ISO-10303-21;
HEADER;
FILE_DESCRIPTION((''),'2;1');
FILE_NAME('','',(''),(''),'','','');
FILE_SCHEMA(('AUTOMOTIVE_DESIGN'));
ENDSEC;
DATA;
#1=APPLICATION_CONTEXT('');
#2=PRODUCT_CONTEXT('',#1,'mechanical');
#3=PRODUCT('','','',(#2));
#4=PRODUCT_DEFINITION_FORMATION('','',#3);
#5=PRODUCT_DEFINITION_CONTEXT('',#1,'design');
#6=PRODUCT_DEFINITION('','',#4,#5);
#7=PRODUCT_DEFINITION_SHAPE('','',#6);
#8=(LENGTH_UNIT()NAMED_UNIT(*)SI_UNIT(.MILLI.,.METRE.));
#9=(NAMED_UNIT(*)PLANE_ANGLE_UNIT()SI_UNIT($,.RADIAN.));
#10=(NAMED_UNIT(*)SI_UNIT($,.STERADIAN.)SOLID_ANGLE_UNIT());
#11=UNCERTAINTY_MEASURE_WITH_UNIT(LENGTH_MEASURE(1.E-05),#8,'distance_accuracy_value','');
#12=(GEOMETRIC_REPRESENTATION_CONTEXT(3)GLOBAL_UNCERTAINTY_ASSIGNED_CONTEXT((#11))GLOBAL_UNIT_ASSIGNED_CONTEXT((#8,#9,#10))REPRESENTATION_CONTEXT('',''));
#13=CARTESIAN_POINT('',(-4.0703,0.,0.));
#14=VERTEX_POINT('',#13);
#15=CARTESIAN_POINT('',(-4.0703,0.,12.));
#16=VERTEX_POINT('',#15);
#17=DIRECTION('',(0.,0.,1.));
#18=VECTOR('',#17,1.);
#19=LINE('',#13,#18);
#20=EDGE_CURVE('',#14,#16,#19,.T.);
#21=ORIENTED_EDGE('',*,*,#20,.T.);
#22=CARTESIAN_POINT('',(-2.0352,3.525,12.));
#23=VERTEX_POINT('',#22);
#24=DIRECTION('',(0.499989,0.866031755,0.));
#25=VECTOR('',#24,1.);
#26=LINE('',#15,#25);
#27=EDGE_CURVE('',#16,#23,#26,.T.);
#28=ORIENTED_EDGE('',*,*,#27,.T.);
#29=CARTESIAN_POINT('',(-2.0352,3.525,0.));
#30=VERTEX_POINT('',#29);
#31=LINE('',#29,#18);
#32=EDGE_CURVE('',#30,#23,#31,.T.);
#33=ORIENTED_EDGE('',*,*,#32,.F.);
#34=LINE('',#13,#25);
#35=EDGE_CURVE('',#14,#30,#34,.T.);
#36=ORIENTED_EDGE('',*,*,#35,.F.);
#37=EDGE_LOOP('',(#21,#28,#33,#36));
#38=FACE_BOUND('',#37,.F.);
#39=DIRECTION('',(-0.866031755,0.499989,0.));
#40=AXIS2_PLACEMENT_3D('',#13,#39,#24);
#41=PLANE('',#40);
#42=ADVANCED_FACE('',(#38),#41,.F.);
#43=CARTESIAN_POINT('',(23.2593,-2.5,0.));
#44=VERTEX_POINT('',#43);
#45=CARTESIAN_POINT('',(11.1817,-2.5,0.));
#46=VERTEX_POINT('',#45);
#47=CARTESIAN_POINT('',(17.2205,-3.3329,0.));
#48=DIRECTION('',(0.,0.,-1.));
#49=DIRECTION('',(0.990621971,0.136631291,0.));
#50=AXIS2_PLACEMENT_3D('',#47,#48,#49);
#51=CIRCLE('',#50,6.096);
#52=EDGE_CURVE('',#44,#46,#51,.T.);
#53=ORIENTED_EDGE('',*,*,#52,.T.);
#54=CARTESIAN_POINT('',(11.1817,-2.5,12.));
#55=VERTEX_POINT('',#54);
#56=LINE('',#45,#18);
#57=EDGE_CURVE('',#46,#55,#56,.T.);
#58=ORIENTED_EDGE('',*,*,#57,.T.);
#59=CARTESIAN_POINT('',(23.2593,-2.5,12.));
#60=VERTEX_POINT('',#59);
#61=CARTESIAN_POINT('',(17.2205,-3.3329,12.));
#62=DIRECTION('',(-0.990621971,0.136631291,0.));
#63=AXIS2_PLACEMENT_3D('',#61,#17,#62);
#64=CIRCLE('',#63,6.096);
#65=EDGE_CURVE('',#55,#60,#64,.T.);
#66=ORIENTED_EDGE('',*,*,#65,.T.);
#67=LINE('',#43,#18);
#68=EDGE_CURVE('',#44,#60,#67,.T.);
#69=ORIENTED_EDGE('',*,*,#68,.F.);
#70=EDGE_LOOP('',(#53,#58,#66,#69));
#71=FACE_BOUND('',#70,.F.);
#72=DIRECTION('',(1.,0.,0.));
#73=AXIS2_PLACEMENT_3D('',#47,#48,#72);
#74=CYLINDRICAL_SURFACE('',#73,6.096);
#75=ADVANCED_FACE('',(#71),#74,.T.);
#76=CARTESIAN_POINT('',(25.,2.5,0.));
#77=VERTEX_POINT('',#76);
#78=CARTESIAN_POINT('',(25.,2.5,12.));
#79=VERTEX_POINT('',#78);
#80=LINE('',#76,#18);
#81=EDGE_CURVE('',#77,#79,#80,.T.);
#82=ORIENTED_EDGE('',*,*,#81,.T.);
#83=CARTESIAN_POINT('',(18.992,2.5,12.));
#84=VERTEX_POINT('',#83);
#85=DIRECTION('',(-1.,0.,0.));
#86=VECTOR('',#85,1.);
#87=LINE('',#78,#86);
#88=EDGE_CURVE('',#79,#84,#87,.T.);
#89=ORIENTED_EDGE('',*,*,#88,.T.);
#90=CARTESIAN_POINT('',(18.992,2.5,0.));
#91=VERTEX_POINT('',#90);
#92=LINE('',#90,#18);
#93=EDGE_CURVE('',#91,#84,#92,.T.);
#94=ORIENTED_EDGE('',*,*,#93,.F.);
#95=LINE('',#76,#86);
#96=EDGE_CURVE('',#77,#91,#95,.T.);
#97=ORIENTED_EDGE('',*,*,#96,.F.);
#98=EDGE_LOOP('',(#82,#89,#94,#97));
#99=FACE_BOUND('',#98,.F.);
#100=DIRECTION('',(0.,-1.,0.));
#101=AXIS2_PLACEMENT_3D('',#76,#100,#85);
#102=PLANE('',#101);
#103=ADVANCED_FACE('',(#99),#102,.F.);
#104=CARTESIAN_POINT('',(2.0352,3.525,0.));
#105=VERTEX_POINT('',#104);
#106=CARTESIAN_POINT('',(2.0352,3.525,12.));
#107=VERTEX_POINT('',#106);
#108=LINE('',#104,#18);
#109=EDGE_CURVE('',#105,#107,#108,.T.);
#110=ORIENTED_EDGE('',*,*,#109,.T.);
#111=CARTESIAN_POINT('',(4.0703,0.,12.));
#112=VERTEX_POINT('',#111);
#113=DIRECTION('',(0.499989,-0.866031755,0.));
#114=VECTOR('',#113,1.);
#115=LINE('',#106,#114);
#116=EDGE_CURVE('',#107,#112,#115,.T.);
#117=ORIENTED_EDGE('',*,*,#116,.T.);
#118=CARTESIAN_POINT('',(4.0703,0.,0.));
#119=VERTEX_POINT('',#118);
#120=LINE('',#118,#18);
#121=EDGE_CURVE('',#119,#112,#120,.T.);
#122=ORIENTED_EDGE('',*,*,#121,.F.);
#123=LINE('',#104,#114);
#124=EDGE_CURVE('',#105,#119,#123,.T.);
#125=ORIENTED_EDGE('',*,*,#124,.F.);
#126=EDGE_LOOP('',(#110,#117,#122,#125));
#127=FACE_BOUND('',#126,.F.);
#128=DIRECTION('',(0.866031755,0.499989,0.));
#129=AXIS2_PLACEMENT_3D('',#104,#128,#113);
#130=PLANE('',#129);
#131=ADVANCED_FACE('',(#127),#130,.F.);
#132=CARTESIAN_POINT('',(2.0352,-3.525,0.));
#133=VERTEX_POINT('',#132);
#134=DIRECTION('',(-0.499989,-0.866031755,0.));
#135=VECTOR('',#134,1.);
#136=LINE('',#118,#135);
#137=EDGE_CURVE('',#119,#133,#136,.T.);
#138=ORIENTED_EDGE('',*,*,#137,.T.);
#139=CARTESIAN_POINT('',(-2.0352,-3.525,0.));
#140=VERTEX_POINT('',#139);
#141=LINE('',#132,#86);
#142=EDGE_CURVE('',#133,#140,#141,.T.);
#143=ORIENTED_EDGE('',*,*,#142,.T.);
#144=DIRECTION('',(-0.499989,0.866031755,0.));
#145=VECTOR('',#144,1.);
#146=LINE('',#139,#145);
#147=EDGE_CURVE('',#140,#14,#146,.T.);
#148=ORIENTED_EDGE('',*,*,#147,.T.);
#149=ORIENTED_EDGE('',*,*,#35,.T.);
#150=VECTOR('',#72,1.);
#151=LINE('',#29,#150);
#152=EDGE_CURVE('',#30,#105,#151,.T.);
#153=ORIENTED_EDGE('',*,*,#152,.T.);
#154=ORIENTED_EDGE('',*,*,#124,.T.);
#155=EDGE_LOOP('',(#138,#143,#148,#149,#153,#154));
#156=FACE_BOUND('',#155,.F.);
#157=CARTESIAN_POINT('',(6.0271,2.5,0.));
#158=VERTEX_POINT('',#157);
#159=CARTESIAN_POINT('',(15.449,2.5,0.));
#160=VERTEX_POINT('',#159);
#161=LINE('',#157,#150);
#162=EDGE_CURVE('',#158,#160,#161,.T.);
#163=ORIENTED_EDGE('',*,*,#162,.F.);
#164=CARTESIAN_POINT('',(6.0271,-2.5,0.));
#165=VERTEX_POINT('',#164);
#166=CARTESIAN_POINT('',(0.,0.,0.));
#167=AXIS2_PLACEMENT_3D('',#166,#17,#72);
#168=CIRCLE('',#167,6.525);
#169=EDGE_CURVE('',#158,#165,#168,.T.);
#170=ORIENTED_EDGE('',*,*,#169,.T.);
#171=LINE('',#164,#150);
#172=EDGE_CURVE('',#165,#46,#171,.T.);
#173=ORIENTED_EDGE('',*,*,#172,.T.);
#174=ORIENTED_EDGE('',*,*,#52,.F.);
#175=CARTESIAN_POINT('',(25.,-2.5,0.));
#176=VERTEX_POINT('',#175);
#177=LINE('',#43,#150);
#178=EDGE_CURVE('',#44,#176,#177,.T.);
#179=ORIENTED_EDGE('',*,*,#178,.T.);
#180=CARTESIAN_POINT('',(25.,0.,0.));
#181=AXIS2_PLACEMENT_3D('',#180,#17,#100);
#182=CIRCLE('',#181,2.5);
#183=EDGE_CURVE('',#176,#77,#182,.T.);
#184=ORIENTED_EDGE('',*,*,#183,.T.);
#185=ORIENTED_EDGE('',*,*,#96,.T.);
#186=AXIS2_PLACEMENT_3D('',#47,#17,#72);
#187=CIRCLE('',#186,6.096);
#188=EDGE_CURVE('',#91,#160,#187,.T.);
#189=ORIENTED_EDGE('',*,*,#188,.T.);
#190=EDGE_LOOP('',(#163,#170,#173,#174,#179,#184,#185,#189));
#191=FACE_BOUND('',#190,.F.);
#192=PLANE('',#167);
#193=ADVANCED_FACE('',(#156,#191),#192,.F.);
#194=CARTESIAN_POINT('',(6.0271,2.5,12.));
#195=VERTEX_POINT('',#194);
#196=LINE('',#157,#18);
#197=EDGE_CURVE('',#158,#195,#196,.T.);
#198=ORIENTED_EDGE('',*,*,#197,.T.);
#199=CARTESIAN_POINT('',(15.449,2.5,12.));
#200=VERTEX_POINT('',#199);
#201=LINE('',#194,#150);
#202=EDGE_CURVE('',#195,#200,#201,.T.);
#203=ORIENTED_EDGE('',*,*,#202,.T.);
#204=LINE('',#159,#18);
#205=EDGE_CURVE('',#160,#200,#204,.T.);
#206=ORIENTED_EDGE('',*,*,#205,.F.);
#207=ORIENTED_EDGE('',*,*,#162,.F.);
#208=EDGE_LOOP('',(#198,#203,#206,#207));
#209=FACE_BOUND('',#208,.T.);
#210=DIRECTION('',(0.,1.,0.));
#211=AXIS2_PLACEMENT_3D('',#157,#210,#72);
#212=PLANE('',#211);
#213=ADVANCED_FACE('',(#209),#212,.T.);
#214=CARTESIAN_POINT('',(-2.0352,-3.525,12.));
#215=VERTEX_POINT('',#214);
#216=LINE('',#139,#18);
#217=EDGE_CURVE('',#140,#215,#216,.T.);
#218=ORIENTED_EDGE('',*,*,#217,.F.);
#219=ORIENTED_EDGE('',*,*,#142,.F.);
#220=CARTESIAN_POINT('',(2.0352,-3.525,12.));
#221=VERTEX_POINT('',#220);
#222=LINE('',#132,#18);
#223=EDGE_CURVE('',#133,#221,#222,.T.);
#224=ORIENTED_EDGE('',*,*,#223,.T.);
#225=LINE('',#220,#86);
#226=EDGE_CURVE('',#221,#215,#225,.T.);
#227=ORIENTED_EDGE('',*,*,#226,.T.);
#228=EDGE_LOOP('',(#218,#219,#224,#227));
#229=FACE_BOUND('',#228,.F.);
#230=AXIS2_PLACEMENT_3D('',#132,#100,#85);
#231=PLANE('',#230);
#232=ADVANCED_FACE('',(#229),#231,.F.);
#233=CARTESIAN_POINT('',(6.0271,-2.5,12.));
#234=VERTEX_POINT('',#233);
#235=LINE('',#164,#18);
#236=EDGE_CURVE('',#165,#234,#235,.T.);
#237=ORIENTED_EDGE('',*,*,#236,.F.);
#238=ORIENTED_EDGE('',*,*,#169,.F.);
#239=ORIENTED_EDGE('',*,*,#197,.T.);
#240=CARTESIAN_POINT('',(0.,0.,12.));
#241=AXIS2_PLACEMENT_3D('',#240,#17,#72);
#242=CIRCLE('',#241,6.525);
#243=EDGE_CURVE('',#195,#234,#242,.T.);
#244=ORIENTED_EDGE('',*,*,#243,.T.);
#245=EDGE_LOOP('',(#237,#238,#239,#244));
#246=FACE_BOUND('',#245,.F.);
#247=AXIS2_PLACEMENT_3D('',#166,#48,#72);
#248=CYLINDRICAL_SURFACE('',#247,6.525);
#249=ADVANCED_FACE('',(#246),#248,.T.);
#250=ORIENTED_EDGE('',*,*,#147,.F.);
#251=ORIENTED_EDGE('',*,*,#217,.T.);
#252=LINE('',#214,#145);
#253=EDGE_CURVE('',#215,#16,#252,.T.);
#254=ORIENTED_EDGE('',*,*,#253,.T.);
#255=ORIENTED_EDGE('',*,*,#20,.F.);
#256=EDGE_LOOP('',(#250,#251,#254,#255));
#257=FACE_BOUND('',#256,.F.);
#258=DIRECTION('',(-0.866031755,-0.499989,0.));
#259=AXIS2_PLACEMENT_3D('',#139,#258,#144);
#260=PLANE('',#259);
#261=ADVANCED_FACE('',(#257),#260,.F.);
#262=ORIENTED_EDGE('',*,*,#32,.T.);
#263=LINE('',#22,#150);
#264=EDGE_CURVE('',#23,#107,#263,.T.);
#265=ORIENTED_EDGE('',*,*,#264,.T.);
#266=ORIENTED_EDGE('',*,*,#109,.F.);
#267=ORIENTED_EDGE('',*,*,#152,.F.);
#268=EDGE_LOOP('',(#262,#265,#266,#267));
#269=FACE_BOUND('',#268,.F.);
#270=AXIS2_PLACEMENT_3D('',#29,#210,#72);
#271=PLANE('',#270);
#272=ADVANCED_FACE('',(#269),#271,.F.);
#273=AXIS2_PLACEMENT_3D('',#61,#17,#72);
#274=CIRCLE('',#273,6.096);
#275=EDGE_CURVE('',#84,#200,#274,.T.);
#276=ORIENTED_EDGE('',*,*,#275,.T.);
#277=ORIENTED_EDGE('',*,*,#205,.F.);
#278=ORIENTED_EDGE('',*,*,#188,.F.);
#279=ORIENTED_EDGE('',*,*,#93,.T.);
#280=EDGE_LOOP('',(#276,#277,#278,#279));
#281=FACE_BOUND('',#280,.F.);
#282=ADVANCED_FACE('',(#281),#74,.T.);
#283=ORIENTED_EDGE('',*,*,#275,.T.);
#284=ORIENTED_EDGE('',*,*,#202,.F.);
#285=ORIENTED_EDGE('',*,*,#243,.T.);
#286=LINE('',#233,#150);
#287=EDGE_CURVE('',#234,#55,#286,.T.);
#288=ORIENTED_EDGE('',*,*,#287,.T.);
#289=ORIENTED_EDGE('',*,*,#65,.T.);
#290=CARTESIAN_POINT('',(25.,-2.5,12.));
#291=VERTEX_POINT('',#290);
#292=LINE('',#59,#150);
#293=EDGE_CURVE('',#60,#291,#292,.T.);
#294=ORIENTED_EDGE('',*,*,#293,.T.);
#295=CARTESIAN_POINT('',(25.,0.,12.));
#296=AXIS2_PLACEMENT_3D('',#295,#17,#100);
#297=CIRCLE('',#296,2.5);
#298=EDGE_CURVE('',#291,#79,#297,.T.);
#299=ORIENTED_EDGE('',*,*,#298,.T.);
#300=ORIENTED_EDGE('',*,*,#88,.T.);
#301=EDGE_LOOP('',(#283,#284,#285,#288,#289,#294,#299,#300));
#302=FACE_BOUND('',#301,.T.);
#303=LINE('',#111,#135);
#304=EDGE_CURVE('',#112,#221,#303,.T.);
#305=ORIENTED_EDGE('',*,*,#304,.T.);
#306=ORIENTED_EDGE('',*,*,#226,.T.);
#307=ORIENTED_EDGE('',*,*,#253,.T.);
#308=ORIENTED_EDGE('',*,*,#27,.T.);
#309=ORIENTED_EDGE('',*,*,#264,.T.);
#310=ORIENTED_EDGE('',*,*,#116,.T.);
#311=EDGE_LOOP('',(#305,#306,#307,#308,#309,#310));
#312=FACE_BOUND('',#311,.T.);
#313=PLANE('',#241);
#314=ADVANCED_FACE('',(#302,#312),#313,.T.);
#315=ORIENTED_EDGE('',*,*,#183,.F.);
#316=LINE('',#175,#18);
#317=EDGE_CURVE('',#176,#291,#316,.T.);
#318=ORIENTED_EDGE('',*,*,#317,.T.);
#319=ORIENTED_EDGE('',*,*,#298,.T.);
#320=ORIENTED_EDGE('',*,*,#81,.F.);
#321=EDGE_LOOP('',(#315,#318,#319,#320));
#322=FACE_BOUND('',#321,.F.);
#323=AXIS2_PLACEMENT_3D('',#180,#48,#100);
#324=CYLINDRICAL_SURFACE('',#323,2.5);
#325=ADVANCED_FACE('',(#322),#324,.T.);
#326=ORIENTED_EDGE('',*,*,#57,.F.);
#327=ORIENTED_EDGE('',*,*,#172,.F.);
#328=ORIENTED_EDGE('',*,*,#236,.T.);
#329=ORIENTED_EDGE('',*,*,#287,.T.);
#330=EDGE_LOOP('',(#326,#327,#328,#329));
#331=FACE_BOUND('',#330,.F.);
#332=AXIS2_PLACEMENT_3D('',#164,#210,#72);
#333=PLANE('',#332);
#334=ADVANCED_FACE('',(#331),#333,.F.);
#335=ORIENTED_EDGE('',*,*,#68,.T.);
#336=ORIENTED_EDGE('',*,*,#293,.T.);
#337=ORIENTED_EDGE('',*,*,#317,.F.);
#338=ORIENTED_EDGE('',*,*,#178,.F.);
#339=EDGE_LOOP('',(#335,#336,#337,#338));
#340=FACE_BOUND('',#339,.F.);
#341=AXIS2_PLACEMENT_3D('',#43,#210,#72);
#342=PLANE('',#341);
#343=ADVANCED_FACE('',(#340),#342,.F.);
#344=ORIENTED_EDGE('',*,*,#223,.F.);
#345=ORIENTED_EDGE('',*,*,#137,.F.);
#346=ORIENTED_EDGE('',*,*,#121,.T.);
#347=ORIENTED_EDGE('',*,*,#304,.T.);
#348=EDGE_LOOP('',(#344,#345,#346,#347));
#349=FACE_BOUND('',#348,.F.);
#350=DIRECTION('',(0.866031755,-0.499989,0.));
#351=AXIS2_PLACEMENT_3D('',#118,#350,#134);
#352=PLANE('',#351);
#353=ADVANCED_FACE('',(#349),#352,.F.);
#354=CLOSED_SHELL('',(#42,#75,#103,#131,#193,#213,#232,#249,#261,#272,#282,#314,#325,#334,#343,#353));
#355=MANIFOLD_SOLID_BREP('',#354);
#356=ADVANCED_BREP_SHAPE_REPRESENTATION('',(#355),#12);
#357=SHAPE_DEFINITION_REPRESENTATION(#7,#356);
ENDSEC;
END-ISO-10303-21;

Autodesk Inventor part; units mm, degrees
ref_plane "YZ Plane" through (0, 0, 0) normal (1, 0, 0) x (0, 1, 0)
ref_plane "XZ Plane" through (0, 0, 0) normal (0, 1, 0) x (-1, 0, 0)
ref_plane "XY Plane" through (0, 0, 0) normal (0, 0, 1) x (1, 0, 0)
sketch "Sketch1" plane through (0, 0, 0) normal (0, 0, 1) x (1, 0, 0)
  circle A0 centre (0, 0) radius 6.525
  line L0 (-2.0352, -3.525) -> (-4.0703, 0)
  line L1 (-4.0703, 0) -> (-2.0352, 3.525)
  line L2 (-2.0352, 3.525) -> (2.0352, 3.525)
  line L3 (2.0352, 3.525) -> (4.0703, 0)
  line L4 (4.0703, 0) -> (2.0352, -3.525)
  line L5 (2.0352, -3.525) -> (-2.0352, -3.525)
  line L6 (-4.0703, 0) -> (4.0703, 0) construction
  arc A1 (25, -2.5) -> (25, 2.5) centre (25, 0) ccw
  circle A2 centre (17.2205, -3.3329) radius 6.096
  line L7 (25, 2.5) -> (18.992, 2.5)
  line L8 (6.0271, 2.5) -> (15.449, 2.5)
  line L9 (6.0271, -2.5) -> (11.1817, -2.5)
  line L10 (23.2593, -2.5) -> (25, -2.5)
  dimension "d0" = 7.05
  dimension "d1" = 3
  dimension "d7" = 5
  dimension "d11" = 25
  dimension "d12" = 12.192
  dimension "d13" = 5.8329
  dimension "d14" = 7.7795
extrude "Extrusion2" add sketch "Sketch1" along normal blind 12
properties part number "wingnut"
